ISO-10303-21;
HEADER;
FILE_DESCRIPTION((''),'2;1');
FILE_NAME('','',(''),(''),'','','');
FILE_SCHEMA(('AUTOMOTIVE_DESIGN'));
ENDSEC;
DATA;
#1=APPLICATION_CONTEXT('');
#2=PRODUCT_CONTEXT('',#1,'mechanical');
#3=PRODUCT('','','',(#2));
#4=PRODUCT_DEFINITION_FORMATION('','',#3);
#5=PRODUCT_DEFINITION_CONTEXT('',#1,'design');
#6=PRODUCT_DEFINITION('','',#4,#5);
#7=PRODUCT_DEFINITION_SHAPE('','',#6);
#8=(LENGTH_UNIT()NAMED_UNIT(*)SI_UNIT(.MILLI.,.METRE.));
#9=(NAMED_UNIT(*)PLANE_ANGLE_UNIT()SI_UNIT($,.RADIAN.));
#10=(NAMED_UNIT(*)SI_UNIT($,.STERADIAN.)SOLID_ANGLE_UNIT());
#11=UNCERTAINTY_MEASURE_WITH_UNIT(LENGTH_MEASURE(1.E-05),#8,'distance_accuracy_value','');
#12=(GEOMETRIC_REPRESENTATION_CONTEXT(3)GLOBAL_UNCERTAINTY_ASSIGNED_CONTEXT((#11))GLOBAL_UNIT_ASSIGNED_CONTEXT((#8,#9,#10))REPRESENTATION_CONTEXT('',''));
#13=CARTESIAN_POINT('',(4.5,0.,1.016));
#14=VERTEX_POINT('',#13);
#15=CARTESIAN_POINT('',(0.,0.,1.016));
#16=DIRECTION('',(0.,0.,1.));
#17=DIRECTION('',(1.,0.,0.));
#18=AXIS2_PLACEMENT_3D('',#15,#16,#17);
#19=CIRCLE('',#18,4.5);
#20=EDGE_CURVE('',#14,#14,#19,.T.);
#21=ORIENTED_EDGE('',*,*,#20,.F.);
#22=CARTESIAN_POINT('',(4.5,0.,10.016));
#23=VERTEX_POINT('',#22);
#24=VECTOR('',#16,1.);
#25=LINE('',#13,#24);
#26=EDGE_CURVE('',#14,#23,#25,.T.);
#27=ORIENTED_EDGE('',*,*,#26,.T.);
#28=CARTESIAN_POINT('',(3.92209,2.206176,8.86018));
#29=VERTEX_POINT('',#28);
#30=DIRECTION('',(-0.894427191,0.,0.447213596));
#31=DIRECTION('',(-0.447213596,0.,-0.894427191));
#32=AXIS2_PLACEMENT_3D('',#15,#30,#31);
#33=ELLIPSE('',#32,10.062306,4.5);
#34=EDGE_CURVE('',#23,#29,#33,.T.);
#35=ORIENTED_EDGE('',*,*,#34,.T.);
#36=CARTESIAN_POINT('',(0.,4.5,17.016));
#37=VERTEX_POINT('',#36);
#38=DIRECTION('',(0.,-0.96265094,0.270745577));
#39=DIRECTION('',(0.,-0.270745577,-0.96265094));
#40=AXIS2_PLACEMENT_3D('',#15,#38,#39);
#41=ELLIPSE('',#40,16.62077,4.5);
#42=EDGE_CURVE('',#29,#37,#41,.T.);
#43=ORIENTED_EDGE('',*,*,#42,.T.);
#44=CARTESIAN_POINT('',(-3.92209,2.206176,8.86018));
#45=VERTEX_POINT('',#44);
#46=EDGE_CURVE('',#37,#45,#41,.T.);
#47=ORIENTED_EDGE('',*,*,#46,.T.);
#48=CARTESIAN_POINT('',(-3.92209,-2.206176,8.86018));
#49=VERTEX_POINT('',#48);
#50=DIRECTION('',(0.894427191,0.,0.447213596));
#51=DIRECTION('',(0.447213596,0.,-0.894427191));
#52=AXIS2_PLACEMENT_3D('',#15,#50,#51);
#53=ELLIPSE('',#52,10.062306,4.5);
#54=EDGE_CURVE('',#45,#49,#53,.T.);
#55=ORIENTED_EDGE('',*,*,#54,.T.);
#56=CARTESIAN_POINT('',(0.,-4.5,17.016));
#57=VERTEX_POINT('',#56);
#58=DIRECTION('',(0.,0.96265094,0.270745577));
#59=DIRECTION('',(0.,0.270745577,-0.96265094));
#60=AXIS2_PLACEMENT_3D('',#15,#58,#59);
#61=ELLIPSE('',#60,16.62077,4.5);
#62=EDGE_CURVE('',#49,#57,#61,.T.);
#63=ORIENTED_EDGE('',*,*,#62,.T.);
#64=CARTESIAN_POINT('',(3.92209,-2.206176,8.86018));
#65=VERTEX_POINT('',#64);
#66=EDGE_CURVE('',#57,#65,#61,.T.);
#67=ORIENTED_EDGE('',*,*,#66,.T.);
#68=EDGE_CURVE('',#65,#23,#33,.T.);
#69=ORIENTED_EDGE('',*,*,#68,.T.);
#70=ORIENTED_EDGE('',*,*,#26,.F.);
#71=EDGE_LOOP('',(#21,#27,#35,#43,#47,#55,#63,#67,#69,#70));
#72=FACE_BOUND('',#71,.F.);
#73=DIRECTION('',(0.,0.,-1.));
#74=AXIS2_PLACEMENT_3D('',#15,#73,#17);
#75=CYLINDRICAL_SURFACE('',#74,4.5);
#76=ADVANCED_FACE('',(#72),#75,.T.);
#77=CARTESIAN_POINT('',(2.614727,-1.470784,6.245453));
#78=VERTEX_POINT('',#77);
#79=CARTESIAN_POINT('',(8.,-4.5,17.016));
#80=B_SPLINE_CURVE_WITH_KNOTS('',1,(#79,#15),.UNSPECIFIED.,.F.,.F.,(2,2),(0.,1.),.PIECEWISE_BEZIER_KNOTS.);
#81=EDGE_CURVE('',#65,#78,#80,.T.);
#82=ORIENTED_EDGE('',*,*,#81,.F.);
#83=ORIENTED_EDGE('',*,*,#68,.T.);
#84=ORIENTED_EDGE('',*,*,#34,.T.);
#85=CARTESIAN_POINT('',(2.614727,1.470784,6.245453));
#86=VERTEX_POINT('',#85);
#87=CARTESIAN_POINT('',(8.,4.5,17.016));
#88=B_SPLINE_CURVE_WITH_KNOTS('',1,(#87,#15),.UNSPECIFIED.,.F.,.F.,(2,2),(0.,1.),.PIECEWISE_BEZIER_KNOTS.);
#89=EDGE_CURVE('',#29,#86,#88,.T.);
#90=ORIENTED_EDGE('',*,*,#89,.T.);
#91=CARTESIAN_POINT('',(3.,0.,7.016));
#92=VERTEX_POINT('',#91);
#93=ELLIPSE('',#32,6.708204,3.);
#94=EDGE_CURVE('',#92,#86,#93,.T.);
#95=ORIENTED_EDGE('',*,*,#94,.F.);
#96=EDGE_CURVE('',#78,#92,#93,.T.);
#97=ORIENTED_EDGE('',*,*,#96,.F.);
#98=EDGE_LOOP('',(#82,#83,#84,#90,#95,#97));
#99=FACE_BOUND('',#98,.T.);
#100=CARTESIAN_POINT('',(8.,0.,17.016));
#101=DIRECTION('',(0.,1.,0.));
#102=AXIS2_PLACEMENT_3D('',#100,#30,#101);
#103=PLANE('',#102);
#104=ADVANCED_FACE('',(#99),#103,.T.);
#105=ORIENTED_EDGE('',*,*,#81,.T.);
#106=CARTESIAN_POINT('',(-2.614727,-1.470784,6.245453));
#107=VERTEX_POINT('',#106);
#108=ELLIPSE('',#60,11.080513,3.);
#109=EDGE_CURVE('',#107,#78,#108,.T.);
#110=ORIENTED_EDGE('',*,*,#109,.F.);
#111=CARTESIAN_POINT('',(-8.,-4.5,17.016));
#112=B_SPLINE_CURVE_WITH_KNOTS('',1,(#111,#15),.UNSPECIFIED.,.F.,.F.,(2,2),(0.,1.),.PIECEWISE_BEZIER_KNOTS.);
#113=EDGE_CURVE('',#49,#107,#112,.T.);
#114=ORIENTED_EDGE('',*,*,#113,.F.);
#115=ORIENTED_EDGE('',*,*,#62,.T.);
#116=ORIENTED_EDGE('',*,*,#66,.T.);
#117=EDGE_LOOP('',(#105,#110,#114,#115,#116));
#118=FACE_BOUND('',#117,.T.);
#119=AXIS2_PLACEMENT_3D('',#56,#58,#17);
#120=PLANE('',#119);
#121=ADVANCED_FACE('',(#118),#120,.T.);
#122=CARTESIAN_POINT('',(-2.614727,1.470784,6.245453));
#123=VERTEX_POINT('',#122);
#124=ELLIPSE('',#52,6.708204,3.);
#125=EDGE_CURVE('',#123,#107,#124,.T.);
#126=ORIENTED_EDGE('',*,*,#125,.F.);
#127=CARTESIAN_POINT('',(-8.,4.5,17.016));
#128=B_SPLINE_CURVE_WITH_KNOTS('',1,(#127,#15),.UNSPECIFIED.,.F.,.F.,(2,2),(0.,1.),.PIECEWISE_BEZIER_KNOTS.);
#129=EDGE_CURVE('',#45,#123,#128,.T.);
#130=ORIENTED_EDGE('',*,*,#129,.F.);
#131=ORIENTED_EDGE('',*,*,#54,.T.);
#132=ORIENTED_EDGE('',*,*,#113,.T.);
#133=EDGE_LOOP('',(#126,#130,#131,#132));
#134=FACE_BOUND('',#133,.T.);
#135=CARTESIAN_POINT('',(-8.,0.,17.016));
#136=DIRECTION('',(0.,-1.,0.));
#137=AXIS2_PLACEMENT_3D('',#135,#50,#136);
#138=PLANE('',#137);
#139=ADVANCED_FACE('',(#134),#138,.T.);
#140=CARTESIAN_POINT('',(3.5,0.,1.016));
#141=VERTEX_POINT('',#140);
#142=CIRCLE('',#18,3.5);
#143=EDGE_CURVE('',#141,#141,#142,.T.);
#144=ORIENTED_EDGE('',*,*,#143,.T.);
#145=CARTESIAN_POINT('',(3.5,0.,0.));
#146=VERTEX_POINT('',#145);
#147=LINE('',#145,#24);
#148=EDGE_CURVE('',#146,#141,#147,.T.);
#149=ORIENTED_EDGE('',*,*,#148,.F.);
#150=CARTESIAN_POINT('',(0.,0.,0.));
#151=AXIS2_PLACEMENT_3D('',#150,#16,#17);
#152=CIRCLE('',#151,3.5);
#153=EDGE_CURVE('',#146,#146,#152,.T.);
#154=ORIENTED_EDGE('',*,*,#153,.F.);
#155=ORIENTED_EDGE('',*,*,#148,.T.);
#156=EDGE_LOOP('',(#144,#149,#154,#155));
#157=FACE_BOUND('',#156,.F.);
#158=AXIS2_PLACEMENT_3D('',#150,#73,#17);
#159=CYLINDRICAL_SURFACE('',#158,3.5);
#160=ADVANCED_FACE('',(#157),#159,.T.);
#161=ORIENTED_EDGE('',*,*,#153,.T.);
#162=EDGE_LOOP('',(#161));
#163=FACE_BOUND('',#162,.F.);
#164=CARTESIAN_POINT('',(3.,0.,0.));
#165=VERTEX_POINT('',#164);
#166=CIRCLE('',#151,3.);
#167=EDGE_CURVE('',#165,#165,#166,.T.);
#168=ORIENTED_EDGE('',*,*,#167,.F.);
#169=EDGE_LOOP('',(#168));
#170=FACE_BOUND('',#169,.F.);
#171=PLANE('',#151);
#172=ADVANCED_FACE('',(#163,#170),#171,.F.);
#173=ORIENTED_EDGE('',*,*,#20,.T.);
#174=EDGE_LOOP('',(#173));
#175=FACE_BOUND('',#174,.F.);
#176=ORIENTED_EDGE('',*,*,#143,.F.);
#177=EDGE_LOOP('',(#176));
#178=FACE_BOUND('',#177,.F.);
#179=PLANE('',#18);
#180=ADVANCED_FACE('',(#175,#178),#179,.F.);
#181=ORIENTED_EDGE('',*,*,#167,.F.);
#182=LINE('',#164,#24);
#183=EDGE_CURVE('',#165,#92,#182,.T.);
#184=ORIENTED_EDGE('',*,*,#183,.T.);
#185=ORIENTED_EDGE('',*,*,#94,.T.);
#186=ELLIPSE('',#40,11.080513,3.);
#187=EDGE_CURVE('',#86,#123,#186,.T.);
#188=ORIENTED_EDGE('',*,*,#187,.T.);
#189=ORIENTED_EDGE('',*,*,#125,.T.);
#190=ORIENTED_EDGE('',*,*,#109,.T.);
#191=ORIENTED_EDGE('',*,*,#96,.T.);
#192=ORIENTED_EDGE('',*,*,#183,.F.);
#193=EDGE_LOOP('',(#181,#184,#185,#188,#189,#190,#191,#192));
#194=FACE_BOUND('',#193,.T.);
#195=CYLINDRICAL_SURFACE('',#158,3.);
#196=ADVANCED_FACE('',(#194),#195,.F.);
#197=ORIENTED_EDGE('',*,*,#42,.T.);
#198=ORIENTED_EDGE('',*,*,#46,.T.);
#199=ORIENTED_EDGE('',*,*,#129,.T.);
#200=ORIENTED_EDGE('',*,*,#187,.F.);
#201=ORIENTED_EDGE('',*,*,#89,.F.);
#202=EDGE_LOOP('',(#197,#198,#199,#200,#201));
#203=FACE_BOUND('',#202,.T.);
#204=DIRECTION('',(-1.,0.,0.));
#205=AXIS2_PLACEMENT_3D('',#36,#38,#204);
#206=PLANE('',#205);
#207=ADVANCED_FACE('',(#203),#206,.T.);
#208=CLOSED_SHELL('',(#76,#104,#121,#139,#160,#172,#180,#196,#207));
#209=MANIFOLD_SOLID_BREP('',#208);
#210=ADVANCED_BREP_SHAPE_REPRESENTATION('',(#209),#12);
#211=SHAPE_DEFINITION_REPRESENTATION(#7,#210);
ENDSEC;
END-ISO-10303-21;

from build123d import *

# Parameters (mm, degrees)
F0_R     = 3.5
F0_R_2   = 3
F1_DEPTH = 17.016
F3_R     = 4.5
F3_R_2   = 3.5
F4_DEPTH = 16
F6_W     = 16
F6_H     = 9


with BuildPart() as f1:
    # F0 (on Top) → F1 (new body)
    with BuildSketch(Plane.XY):
        Circle(F0_R)
        Circle(F0_R_2, mode=Mode.SUBTRACT)
    extrude(amount=F1_DEPTH)

    # F3 (on offset) → F4 (join, through all)
    with BuildSketch(Plane.XY.offset(1.016)):
        Circle(F3_R)
        Circle(F3_R_2, mode=Mode.SUBTRACT)
    extrude(amount=F4_DEPTH)

    # F6 (on offset) → F7 section 0
    with BuildSketch(Plane.XY.offset(17.016), mode=Mode.PRIVATE) as f7_s0:
        Rectangle(F6_W, F6_H)
    loft([f7_s0.sketch, Vertex(0, 0, 1.016)], mode=Mode.SUBTRACT)


solid = f1.part
